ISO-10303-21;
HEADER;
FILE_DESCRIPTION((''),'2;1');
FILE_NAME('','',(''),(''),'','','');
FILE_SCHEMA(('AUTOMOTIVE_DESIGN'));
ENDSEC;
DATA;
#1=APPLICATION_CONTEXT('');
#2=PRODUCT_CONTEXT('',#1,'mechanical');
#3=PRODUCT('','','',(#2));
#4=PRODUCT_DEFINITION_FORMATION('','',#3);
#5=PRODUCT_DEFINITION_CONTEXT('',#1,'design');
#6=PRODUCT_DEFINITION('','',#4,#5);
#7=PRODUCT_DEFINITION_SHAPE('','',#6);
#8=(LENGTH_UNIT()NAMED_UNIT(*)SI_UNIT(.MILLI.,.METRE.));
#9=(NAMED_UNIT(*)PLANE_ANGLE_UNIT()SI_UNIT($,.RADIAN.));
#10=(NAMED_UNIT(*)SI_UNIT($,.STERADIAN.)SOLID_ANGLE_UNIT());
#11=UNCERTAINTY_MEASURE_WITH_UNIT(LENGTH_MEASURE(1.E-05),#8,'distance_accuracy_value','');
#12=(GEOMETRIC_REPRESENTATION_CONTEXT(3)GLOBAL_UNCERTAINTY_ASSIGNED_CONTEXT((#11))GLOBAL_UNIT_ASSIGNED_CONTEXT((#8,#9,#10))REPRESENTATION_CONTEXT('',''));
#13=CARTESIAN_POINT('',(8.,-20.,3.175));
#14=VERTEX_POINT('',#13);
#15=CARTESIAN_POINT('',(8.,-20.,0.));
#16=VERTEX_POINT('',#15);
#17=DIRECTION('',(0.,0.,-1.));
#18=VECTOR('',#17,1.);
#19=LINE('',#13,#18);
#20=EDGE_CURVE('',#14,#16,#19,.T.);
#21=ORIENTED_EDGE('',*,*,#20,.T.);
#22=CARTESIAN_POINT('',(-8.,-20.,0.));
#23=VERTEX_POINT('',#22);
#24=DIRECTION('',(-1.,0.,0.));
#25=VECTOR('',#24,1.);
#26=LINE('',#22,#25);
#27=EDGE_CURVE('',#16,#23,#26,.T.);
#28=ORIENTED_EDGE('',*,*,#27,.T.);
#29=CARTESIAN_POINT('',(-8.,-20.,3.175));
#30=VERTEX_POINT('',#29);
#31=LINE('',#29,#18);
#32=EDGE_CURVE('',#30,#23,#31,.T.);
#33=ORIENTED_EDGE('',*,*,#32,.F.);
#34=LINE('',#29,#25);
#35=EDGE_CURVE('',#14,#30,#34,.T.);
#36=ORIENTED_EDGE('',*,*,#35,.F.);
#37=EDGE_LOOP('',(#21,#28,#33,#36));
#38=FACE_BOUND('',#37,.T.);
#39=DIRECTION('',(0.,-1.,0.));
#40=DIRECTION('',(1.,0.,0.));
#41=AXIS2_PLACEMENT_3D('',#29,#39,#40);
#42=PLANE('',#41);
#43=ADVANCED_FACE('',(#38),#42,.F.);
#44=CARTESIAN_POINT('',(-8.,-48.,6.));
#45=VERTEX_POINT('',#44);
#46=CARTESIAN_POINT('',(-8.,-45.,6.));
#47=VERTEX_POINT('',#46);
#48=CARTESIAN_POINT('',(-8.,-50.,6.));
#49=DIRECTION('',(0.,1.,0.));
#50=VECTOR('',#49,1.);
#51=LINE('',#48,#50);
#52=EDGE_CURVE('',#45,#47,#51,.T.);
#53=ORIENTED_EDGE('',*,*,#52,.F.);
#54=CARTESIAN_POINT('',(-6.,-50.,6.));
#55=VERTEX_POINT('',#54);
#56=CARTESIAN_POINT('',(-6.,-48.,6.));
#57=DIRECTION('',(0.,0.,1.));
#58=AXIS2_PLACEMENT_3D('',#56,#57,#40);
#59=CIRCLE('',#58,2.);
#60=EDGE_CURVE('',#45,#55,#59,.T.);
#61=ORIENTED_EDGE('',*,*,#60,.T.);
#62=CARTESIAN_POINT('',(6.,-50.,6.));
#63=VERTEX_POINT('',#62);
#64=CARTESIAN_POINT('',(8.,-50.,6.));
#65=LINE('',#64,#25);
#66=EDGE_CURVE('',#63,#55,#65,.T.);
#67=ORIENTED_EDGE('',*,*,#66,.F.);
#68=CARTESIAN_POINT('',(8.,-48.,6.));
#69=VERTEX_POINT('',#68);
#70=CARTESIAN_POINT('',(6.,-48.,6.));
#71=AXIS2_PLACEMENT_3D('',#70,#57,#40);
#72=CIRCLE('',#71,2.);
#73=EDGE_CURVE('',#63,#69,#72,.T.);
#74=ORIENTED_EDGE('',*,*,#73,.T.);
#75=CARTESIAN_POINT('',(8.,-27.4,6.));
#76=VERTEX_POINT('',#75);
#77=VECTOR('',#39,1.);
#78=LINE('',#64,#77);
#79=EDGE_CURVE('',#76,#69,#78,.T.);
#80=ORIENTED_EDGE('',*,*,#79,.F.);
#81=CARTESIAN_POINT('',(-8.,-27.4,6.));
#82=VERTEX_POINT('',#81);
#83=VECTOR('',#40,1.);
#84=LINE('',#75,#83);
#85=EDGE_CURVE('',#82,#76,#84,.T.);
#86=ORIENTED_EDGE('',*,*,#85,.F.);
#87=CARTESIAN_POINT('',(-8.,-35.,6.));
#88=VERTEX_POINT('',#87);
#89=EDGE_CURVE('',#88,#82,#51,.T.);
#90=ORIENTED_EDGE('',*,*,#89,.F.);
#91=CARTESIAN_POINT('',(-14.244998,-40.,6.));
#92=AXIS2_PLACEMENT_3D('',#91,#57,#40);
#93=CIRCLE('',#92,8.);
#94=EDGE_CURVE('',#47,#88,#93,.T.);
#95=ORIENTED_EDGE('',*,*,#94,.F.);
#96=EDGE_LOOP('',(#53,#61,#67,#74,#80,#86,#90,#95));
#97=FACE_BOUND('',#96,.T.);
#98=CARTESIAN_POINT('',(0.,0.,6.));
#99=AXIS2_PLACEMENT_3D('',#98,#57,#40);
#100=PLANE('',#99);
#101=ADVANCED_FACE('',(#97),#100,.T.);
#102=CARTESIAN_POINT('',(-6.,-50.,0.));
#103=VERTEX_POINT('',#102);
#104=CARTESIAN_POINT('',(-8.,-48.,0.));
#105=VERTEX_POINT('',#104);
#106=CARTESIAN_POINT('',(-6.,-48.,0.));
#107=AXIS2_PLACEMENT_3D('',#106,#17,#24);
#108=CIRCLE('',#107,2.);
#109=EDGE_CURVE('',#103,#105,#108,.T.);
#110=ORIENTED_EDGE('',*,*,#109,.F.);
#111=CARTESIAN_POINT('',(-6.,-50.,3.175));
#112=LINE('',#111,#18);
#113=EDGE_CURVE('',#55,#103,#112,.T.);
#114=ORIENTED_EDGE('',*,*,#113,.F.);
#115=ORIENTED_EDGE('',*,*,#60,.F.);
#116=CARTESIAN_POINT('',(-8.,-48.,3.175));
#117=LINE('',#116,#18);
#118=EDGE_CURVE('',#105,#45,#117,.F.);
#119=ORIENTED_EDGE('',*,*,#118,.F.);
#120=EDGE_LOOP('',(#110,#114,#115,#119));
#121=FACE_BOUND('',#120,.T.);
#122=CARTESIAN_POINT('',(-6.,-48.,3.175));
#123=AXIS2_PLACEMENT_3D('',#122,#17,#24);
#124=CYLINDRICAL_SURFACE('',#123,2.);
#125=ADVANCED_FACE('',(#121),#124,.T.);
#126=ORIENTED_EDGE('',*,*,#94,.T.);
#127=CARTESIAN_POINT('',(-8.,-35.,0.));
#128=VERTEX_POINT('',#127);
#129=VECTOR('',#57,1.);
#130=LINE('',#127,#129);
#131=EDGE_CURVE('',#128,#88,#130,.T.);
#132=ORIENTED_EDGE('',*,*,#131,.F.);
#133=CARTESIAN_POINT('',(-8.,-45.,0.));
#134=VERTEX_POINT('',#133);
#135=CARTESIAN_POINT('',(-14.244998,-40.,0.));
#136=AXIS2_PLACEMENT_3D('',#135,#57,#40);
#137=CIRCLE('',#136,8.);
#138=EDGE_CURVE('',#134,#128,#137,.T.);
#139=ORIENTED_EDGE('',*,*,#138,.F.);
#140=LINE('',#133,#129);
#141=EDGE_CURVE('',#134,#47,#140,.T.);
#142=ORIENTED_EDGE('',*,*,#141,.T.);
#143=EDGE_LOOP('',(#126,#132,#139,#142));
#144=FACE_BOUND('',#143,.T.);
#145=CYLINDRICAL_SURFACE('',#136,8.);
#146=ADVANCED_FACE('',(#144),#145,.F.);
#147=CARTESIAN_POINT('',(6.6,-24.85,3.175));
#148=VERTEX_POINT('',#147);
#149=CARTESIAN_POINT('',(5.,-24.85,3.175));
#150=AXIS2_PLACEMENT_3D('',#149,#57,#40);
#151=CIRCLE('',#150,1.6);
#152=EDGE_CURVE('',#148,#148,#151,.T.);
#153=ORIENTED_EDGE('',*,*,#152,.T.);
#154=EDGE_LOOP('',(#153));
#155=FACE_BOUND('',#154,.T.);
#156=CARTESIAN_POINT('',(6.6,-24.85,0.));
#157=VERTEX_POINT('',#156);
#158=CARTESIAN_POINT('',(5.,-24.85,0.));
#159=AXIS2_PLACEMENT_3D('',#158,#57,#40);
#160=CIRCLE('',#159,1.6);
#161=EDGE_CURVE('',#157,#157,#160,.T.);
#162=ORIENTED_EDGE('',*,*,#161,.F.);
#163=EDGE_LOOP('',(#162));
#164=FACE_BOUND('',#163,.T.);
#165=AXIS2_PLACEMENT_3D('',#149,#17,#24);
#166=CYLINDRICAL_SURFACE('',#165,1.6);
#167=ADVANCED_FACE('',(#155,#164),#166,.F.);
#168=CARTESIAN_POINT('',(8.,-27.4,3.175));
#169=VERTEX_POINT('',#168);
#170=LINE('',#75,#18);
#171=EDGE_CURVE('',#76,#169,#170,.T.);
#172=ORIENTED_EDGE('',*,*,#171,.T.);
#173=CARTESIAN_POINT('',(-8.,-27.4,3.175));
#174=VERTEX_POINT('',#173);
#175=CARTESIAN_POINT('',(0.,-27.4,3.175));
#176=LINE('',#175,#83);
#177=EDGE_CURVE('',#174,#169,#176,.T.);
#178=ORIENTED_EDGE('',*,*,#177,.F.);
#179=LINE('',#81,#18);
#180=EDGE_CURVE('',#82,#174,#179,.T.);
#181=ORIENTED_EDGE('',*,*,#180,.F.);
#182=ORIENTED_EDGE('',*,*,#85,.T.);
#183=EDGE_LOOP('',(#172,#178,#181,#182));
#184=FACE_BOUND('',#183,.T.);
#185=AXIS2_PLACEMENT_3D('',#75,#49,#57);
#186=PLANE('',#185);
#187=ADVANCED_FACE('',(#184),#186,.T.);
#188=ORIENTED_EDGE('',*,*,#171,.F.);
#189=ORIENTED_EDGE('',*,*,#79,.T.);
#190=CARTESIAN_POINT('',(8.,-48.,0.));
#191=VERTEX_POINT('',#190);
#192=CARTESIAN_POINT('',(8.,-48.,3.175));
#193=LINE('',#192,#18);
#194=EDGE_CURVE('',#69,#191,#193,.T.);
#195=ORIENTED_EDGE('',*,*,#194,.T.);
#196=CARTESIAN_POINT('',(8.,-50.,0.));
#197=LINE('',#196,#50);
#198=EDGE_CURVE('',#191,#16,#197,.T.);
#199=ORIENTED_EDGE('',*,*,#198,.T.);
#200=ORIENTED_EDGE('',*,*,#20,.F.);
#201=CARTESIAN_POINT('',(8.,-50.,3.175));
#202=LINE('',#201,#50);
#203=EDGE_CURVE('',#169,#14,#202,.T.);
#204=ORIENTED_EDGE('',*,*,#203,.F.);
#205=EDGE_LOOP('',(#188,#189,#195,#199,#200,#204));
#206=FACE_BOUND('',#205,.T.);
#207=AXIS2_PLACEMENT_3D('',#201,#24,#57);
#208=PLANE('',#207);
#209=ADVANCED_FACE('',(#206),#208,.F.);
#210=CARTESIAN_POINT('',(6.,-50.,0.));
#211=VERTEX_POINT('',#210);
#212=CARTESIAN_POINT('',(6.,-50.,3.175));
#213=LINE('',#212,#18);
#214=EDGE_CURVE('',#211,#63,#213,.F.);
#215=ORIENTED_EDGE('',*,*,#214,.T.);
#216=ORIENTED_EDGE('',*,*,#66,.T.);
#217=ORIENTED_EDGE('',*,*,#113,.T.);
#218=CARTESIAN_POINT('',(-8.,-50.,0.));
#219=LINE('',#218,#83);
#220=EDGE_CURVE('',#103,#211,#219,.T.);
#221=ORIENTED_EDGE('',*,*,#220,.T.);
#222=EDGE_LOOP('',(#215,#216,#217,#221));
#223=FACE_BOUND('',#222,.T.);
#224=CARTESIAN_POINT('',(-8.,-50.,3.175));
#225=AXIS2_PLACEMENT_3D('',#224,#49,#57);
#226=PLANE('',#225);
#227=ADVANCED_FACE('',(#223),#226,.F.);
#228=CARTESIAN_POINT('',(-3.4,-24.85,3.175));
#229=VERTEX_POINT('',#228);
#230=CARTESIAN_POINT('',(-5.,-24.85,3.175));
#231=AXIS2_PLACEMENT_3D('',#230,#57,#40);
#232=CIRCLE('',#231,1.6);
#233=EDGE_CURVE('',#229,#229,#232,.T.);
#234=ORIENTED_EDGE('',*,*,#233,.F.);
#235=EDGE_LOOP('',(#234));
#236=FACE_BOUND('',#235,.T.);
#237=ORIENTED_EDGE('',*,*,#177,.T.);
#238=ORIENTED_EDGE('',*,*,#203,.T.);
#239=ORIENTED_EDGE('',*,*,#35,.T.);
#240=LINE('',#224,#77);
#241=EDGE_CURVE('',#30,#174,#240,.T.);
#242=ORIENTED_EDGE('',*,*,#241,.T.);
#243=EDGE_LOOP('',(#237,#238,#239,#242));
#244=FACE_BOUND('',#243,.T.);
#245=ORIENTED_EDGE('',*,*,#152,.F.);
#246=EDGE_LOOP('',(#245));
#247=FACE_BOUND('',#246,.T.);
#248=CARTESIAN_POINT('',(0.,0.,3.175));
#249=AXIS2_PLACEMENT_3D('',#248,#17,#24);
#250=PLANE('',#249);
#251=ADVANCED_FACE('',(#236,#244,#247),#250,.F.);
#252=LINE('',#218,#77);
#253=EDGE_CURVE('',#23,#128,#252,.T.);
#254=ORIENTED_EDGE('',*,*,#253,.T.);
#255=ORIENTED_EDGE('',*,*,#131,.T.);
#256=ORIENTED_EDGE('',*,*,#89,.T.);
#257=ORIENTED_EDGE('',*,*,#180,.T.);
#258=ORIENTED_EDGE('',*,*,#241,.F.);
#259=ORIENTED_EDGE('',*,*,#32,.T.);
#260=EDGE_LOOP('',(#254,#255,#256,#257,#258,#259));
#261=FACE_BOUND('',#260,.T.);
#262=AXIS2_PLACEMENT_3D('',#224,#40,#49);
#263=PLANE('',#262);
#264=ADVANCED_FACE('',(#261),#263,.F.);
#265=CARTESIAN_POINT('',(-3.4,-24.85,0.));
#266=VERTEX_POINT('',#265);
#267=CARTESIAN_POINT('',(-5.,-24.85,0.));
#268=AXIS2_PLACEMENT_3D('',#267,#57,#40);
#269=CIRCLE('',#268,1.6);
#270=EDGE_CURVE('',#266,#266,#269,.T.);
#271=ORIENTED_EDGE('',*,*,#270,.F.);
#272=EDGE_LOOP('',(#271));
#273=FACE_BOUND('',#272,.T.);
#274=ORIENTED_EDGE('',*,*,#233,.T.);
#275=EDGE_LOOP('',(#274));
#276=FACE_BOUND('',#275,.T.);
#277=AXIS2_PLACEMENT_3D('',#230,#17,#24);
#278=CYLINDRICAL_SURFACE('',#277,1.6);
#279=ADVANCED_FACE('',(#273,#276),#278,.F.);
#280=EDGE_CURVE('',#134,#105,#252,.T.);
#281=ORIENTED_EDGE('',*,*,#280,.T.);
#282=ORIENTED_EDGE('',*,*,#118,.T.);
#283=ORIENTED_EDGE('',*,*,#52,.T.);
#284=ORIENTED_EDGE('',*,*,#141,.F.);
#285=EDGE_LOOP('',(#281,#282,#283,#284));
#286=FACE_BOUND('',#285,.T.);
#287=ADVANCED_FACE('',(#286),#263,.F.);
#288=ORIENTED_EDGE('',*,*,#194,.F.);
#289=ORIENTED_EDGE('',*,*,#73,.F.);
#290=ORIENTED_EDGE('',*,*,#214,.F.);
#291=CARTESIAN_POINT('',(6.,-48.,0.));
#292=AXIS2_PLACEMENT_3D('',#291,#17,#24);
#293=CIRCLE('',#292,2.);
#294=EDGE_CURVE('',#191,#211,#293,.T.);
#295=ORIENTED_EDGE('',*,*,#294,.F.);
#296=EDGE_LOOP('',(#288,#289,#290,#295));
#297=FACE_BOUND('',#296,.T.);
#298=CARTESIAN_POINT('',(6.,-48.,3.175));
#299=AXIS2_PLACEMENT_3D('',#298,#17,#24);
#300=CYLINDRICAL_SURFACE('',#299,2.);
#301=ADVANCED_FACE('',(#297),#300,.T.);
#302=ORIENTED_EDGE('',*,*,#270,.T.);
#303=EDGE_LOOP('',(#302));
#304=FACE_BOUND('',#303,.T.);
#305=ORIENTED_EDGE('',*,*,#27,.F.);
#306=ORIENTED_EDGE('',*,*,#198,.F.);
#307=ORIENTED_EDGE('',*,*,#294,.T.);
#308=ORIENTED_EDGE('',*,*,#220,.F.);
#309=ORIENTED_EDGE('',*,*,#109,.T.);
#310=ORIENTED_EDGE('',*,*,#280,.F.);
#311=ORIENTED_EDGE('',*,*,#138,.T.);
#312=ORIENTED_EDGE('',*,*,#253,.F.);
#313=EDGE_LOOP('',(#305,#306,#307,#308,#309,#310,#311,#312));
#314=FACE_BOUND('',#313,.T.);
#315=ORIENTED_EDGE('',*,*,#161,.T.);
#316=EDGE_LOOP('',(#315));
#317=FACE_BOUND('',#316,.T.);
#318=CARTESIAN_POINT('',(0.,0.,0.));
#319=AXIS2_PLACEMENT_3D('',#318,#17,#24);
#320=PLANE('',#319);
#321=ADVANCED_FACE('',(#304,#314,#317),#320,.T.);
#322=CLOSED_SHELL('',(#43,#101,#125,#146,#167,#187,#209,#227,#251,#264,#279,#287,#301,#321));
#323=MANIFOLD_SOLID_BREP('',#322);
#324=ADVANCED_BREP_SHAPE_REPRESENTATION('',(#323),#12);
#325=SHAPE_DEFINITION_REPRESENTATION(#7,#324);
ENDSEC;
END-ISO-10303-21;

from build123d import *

# Parameters (mm, degrees)
SKETCH1_W               = 16
SKETCH1_H               = 30
SKETCH1_R               = 1.6
BOSS_EXTRUDE1_DEPTH     = 3.175
SKETCH3_W               = 16
SKETCH3_H               = 22.6
BOSS_EXTRUDE2_DEPTH     = 6
FILLET1_R               = 2
CUT_EXTRUDE1_DEPTH      = 51.735398146
CUT_EXTRUDE1_DEPTH_BACK = 51.735398146


with BuildPart() as part:
    # Sketch1 → Boss-Extrude1 (new body)
    with BuildSketch(Plane.XY):
        with Locations((0, -35)):
            Rectangle(SKETCH1_W, SKETCH1_H)
        with Locations((5, -24.85)):
            Circle(SKETCH1_R, mode=Mode.SUBTRACT)
        with Locations((-5, -24.85)):
            Circle(SKETCH1_R, mode=Mode.SUBTRACT)
    extrude(amount=BOSS_EXTRUDE1_DEPTH)

    # Sketch3 → Boss-Extrude2 (add)
    with BuildSketch(Plane(origin=(0, 0, 0), x_dir=(-1, 0, 0), z_dir=(0, 0, -1))):
        with Locations((0, -38.7)):
            Rectangle(SKETCH3_W, SKETCH3_H)
    extrude(amount=-BOSS_EXTRUDE2_DEPTH)

    # Fillet1
    fillet1_edges = [part.edges().sort_by_distance(p)[0] for p in [
        (8, -50, 3),
        (-8, -50, 3),
    ]]
    fillet(fillet1_edges, radius=FILLET1_R)

    # Sketch4 → Cut-Extrude1 (cut, two sides: drawn at the far end of the back side and taken through both)
    with BuildSketch(Plane.XY.offset(3.175).offset(-CUT_EXTRUDE1_DEPTH_BACK)):
        with BuildLine():
            Line((-8, -45), (-8, -35))
            ThreePointArc((-8, -35), (-6.244997998, -40), (-8, -45))
        make_face()
    extrude(amount=CUT_EXTRUDE1_DEPTH + CUT_EXTRUDE1_DEPTH_BACK, mode=Mode.SUBTRACT)


solid = part.part
